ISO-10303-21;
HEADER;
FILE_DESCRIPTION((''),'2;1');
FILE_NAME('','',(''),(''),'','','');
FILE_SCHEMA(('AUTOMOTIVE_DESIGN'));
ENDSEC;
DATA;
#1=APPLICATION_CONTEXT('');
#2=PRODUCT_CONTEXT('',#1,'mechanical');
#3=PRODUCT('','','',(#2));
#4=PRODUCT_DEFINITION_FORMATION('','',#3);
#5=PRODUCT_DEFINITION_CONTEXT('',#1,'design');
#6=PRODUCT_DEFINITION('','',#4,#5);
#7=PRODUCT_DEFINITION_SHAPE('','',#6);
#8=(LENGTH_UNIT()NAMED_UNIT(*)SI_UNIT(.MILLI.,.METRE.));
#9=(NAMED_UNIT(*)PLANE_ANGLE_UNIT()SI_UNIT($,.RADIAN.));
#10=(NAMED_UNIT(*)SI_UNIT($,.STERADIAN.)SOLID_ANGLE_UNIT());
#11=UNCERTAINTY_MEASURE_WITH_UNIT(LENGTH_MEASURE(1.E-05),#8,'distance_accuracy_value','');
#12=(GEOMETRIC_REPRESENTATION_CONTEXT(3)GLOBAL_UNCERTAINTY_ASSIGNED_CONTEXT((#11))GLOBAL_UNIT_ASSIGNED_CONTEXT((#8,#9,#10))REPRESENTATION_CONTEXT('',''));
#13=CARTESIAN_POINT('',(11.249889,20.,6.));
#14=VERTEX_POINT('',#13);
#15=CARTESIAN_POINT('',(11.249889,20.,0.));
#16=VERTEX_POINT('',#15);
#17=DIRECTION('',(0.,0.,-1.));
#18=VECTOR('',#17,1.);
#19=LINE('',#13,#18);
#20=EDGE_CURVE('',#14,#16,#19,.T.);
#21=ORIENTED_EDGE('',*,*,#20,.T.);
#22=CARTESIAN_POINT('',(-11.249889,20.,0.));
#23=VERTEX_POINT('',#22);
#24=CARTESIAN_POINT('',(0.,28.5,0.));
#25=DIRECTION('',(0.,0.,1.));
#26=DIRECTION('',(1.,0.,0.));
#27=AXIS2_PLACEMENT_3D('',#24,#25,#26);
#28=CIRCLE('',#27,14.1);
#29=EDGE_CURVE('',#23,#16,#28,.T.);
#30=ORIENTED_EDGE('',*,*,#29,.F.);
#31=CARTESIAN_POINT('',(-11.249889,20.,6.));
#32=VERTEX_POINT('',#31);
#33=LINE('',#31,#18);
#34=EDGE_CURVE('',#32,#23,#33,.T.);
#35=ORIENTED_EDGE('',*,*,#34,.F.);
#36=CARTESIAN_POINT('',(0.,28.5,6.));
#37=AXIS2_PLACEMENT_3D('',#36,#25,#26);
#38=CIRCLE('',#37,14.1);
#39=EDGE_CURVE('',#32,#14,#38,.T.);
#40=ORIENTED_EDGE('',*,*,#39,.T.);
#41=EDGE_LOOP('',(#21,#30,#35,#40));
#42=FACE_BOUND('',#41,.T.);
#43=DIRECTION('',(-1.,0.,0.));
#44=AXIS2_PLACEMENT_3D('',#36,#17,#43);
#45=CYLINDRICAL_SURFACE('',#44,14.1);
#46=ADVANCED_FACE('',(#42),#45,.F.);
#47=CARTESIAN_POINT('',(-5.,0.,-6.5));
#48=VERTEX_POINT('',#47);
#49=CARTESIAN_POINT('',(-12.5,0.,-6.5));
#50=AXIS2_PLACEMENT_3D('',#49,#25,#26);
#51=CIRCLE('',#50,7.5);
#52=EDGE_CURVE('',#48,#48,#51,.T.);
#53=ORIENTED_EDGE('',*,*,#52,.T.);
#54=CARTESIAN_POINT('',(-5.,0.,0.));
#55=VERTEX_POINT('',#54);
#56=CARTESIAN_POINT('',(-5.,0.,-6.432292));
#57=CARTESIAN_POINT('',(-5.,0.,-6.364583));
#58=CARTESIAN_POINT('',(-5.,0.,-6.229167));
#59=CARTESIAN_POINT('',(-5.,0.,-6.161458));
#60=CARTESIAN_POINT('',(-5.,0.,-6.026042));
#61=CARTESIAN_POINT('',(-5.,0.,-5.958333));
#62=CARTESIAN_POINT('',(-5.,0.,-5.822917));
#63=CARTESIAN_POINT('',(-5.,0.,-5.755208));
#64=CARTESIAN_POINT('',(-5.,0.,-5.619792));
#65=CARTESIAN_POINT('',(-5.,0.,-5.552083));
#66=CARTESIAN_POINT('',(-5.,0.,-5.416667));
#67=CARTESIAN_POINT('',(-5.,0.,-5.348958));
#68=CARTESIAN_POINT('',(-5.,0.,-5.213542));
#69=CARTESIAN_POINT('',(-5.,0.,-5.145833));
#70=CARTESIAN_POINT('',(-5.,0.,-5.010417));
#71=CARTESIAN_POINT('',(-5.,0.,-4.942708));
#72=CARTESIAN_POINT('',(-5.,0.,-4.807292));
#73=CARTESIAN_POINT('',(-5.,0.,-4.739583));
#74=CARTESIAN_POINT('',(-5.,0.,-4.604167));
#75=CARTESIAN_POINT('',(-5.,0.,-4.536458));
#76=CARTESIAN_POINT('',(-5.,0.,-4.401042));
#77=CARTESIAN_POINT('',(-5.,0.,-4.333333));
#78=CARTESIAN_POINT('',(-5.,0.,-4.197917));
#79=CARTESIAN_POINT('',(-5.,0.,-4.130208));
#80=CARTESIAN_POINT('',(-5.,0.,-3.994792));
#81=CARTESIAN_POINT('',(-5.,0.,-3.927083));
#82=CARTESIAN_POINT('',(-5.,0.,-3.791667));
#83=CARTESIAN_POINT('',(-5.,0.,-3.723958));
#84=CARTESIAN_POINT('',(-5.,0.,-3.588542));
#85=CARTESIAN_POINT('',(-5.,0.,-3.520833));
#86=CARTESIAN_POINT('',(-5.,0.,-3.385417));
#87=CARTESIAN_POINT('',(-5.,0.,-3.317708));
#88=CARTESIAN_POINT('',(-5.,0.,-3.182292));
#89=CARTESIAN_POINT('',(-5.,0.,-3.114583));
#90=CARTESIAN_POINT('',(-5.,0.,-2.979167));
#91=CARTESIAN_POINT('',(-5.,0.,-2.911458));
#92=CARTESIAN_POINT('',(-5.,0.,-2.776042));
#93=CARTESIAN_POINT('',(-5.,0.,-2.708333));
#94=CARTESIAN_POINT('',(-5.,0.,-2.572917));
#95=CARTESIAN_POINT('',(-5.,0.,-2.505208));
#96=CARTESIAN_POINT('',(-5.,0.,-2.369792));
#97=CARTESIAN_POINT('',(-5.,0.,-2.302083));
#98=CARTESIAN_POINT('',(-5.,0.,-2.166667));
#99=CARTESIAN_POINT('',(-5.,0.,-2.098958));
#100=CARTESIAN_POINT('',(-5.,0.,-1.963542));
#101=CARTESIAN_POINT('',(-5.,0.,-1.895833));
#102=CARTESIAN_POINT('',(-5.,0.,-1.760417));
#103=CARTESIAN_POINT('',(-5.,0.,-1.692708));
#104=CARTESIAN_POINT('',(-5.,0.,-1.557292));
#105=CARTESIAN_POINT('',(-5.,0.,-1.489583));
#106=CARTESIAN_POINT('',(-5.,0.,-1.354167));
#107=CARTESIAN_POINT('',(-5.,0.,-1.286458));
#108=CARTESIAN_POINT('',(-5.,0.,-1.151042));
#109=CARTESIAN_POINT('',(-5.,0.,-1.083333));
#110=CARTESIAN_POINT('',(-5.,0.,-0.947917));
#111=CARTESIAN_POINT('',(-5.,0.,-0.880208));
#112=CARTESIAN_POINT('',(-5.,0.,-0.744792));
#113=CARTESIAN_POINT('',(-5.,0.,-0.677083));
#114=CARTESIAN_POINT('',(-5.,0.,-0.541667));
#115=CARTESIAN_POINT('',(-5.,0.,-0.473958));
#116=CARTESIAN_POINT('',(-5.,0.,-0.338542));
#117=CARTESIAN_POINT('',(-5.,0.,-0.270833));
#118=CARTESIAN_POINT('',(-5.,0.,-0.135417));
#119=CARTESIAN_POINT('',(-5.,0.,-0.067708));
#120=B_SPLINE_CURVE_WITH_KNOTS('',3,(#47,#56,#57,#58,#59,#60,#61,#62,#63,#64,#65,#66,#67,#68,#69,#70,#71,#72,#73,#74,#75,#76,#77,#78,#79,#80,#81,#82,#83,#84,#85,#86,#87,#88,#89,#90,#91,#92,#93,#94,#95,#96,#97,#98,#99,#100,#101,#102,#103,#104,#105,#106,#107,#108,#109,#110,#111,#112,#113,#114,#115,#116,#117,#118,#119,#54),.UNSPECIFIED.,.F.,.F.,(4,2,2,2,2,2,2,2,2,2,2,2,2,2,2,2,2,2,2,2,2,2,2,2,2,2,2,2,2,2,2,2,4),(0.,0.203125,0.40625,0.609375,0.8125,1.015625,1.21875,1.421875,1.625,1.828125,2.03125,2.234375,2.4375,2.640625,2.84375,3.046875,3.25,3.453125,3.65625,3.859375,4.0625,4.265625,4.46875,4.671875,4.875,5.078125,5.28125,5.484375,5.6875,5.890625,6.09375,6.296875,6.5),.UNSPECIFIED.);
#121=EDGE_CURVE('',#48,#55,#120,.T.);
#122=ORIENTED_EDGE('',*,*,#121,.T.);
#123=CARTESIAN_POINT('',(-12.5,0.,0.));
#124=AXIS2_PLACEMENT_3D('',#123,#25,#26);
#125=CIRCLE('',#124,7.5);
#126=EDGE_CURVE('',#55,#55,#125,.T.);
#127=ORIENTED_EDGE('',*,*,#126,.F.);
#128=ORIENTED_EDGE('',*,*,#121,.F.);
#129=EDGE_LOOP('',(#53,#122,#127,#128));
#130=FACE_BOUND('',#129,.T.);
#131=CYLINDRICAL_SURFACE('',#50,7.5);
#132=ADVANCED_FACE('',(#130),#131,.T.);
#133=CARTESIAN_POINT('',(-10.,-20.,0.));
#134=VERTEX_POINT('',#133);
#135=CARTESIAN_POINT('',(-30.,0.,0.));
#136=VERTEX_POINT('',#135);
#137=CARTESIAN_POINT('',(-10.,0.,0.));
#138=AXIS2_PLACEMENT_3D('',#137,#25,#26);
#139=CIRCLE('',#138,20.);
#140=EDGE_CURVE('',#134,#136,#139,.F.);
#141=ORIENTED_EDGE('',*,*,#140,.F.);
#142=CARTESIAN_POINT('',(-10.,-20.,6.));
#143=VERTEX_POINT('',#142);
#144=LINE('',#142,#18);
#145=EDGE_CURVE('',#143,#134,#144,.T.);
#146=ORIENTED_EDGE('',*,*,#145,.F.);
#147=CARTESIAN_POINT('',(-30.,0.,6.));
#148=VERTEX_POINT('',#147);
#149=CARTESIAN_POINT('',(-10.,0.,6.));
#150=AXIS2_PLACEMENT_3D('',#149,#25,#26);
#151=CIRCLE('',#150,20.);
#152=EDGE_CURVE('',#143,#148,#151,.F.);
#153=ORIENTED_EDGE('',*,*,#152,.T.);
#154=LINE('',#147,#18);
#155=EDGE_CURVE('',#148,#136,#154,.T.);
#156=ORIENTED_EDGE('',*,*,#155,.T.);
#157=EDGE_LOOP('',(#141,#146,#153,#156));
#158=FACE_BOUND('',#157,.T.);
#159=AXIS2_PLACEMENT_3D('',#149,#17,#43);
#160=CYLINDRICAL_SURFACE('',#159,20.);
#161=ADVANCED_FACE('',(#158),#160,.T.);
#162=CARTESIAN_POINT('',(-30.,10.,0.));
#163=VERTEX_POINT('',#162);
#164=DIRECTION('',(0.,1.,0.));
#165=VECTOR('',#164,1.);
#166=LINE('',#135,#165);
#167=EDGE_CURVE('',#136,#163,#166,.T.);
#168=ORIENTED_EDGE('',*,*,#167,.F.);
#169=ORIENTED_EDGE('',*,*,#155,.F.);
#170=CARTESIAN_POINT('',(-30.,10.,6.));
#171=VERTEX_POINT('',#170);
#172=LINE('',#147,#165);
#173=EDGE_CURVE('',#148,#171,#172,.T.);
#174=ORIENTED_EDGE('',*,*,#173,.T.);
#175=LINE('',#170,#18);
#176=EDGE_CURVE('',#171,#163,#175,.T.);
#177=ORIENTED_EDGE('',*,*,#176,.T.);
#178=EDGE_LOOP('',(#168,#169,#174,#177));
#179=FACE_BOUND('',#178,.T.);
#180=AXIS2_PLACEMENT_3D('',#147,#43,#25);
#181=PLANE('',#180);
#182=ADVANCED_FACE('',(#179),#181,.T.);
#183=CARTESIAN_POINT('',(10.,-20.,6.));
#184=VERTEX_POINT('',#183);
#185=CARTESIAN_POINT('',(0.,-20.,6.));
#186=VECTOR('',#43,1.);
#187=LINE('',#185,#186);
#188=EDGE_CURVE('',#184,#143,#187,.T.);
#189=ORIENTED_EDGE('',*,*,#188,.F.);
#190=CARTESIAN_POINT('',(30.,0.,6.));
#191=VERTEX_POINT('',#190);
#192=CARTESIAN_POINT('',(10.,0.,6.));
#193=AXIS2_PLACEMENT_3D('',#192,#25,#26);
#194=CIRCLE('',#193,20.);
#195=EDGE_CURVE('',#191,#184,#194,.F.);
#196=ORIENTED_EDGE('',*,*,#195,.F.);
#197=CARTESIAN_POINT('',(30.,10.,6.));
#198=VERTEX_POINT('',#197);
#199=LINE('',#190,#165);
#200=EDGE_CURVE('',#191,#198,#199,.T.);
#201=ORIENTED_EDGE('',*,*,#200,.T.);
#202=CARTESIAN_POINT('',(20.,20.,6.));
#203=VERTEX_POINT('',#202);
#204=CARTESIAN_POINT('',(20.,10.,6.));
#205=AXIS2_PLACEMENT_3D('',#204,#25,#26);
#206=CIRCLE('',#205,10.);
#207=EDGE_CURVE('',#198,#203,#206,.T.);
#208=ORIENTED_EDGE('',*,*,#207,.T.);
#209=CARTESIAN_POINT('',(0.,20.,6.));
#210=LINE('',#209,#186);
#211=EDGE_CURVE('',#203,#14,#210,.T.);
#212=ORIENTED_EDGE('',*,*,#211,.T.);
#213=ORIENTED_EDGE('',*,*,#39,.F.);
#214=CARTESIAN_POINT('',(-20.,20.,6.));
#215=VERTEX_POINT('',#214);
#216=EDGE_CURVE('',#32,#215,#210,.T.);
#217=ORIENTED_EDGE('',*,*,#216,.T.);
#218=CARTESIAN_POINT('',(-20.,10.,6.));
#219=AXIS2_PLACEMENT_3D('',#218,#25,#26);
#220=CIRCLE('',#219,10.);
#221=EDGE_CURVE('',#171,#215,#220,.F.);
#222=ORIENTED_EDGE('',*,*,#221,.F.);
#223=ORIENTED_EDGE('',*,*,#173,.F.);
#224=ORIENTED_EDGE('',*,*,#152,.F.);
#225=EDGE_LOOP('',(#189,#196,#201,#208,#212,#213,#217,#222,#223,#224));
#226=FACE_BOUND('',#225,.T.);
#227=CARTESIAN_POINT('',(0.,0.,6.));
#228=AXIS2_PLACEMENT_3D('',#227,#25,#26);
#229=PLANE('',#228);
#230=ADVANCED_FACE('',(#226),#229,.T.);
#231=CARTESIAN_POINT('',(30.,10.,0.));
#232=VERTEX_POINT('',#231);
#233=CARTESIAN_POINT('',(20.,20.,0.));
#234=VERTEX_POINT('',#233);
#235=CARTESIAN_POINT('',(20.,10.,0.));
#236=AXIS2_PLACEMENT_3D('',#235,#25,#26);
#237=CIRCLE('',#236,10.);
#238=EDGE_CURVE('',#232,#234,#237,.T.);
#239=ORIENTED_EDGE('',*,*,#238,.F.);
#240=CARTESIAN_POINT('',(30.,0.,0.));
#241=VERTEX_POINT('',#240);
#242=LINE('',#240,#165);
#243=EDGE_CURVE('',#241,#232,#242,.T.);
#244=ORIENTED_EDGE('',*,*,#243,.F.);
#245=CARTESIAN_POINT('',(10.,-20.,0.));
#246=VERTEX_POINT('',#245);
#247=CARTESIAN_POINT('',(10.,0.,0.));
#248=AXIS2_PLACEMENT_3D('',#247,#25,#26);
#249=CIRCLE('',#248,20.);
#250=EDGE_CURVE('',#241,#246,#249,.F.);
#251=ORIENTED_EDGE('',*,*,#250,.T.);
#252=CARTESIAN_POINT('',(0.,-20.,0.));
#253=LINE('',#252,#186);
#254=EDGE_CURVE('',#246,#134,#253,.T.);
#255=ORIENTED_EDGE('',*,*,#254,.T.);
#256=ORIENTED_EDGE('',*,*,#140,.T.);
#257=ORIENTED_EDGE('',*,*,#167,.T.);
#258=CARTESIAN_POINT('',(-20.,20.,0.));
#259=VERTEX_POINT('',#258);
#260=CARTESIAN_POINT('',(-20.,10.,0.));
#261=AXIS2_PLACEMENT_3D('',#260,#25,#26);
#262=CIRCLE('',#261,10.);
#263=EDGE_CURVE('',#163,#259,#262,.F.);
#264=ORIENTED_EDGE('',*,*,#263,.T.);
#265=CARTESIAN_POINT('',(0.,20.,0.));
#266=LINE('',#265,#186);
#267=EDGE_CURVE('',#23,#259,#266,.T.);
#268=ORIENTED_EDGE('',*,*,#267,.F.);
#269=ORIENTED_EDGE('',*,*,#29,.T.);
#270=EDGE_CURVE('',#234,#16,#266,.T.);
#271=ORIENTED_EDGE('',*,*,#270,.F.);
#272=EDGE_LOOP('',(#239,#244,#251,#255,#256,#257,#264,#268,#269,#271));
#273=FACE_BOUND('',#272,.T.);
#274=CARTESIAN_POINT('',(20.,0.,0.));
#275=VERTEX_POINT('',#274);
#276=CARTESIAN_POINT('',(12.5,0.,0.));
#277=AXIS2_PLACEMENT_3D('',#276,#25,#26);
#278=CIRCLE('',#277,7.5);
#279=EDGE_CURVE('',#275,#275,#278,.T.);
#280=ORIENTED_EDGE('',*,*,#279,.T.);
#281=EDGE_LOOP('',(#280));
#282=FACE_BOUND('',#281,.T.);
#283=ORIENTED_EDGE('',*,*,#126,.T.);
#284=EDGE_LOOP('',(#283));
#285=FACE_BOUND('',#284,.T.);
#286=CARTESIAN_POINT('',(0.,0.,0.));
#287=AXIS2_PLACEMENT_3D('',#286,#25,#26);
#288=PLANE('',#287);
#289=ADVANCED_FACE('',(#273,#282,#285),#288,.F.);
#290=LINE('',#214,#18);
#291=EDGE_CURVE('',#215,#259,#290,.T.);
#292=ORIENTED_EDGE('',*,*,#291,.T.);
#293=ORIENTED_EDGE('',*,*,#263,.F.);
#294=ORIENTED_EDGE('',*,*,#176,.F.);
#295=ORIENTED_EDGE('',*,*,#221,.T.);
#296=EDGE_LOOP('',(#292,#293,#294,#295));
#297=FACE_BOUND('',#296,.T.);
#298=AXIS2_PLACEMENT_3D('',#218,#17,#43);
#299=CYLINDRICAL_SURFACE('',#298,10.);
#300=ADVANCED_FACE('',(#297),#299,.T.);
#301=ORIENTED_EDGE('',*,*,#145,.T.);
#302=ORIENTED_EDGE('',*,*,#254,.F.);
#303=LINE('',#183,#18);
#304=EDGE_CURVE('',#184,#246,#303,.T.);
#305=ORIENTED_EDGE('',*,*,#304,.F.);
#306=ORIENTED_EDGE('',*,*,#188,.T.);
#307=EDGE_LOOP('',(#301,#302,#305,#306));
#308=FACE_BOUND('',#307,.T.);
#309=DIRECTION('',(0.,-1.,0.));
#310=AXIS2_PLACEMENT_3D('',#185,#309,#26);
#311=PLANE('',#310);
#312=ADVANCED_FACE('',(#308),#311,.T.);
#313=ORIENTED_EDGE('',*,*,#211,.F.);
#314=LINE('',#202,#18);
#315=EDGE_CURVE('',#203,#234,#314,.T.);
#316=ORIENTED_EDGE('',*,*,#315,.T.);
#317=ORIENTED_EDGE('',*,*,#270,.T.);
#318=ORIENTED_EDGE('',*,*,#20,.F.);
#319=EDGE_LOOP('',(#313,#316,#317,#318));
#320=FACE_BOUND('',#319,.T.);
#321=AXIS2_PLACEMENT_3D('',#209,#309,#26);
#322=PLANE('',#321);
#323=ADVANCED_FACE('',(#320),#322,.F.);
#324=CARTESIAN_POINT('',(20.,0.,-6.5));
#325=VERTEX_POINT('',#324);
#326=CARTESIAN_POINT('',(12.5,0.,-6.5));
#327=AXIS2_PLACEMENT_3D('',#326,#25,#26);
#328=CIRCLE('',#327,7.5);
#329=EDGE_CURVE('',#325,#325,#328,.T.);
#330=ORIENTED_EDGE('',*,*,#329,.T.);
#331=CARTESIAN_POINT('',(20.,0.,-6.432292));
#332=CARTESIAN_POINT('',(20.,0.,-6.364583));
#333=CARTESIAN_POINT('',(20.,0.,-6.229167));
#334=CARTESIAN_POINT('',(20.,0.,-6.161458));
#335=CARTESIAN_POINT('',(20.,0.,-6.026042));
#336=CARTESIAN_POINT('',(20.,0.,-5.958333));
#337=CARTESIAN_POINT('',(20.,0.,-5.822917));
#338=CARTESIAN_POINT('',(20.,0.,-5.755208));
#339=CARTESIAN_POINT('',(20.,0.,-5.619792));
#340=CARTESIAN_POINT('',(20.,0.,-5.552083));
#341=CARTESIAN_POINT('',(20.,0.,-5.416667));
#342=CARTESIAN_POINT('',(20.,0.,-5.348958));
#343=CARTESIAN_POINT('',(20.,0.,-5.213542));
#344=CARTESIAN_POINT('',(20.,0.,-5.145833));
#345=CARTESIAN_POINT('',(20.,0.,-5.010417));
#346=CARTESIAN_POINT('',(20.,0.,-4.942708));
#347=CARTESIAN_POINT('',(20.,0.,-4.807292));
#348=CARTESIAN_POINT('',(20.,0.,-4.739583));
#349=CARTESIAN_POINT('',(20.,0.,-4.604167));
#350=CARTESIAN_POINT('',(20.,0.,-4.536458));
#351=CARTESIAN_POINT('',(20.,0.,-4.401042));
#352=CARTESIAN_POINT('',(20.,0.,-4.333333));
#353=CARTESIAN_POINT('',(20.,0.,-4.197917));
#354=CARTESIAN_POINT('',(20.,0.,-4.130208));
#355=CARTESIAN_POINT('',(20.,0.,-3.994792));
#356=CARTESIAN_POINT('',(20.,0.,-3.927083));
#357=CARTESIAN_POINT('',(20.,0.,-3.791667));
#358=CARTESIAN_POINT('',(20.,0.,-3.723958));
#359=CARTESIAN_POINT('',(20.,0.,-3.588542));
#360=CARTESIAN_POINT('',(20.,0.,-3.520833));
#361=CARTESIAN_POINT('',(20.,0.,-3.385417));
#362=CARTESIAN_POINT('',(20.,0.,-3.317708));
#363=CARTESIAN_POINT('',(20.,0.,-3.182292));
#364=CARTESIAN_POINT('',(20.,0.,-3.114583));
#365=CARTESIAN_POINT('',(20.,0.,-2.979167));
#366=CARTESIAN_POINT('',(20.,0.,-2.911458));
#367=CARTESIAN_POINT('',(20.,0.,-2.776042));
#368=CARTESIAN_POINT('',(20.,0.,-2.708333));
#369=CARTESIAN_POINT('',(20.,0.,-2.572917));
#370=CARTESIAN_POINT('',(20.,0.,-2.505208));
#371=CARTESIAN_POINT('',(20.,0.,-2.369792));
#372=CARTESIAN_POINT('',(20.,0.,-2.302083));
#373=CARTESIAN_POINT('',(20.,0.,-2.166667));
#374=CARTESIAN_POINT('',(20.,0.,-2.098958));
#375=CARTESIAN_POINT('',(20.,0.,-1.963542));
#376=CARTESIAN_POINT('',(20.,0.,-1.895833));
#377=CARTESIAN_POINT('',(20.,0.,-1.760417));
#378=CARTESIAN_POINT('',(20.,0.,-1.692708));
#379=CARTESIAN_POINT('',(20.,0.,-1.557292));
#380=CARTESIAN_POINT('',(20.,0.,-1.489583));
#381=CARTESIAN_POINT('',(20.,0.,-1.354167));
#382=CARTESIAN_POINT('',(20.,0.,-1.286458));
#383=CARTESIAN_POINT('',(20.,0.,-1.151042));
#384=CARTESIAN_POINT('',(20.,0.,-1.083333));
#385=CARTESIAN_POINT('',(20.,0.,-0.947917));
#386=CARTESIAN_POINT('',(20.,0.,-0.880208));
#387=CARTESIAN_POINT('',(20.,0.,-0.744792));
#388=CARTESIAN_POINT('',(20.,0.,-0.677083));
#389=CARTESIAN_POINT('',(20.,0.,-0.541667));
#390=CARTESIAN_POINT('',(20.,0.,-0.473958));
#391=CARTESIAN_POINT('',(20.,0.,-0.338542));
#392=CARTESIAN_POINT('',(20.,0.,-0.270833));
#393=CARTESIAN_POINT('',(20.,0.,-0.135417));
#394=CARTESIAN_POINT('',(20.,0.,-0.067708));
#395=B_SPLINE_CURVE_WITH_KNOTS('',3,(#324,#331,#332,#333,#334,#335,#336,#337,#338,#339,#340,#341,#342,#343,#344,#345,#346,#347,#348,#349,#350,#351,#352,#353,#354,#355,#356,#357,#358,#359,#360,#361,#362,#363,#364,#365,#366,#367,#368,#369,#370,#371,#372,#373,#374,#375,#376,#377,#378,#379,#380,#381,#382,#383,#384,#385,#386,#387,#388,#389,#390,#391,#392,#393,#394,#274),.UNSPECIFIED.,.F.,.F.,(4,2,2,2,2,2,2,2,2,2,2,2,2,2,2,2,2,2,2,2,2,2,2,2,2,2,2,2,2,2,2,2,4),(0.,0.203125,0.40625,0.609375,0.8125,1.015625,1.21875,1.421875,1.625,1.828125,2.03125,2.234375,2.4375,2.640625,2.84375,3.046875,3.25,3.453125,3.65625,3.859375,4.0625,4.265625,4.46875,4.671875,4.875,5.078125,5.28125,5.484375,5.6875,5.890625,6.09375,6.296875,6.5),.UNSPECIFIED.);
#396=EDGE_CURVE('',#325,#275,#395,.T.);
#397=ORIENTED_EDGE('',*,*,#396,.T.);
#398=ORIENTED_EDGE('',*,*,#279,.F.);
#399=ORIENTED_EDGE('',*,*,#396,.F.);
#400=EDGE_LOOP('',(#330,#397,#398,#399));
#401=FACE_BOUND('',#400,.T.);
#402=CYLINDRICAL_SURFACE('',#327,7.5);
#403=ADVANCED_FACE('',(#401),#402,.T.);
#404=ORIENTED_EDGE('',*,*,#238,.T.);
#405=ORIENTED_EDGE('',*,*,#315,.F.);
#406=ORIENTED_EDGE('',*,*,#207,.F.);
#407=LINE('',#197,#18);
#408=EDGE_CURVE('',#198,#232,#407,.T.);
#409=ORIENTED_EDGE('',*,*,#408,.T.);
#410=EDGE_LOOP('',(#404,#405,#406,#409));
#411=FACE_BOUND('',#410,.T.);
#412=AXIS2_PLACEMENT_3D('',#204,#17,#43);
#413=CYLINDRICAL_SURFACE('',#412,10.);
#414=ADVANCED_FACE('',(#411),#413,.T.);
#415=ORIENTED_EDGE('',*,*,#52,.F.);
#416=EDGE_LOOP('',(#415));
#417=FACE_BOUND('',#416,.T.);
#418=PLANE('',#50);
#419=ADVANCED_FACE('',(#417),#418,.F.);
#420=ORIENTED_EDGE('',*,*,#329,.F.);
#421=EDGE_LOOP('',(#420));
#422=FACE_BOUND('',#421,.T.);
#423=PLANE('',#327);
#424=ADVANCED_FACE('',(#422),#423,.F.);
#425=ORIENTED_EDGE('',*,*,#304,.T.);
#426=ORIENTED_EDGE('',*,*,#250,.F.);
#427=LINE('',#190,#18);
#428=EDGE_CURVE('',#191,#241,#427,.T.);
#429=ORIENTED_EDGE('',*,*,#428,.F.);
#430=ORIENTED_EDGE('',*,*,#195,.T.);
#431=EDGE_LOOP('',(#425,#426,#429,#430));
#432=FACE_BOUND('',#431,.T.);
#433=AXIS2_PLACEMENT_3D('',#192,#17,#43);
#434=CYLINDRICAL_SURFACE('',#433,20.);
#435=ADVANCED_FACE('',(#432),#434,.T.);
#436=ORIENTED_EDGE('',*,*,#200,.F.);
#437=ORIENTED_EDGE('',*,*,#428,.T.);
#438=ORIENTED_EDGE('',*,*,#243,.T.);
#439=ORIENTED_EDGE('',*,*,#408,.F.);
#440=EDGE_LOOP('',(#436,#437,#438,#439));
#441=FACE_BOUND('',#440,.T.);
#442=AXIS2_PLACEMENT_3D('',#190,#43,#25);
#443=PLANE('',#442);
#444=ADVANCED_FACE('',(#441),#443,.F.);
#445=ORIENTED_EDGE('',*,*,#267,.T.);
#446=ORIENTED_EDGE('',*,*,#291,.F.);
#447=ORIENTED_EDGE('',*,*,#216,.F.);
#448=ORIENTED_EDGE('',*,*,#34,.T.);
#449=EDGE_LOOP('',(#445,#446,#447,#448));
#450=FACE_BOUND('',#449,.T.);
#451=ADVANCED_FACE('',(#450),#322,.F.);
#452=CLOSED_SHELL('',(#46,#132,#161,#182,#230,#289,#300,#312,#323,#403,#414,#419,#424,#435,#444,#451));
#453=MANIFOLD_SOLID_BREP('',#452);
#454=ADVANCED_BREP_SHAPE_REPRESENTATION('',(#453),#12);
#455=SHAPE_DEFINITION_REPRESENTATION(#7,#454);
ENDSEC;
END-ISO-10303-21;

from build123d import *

# Parameters (mm, degrees)
EXTRUDE_1_DEPTH = 6
SKETCH_3_R      = 7.5
EXTRUDE_2_DEPTH = 6.5


with BuildPart() as part:
    # 草图1 → 凸台-拉伸1 (new body)
    with BuildSketch(Plane.XY):
        with BuildLine():
            Line((-10, -20), (10, -20))
            ThreePointArc((10, -20), (24.142135624, -14.142135624), (30, 0))
            Line((30, 0), (30, 10))
            ThreePointArc((30, 10), (27.071067812, 17.071067812), (20, 20))
            Line((20, 20), (11.249888888, 20))
            ThreePointArc((11.249888888, 20), (0, 14.4), (-11.249888888, 20))
            Line((-11.249888888, 20), (-20, 20))
            ThreePointArc((-20, 20), (-27.071067812, 17.071067812), (-30, 10))
            Line((-30, 10), (-30, 0))
            ThreePointArc((-30, 0), (-24.142135624, -14.142135624), (-10, -20))
        make_face()
    extrude(amount=EXTRUDE_1_DEPTH)

    # 草图3 → 凸台-拉伸2 (add)
    with BuildSketch(Plane.XY):
        with Locations((-12.5, 0)):
            Circle(SKETCH_3_R)
        with Locations((12.5, 0)):
            Circle(SKETCH_3_R)
    extrude(amount=-EXTRUDE_2_DEPTH)


solid = part.part
